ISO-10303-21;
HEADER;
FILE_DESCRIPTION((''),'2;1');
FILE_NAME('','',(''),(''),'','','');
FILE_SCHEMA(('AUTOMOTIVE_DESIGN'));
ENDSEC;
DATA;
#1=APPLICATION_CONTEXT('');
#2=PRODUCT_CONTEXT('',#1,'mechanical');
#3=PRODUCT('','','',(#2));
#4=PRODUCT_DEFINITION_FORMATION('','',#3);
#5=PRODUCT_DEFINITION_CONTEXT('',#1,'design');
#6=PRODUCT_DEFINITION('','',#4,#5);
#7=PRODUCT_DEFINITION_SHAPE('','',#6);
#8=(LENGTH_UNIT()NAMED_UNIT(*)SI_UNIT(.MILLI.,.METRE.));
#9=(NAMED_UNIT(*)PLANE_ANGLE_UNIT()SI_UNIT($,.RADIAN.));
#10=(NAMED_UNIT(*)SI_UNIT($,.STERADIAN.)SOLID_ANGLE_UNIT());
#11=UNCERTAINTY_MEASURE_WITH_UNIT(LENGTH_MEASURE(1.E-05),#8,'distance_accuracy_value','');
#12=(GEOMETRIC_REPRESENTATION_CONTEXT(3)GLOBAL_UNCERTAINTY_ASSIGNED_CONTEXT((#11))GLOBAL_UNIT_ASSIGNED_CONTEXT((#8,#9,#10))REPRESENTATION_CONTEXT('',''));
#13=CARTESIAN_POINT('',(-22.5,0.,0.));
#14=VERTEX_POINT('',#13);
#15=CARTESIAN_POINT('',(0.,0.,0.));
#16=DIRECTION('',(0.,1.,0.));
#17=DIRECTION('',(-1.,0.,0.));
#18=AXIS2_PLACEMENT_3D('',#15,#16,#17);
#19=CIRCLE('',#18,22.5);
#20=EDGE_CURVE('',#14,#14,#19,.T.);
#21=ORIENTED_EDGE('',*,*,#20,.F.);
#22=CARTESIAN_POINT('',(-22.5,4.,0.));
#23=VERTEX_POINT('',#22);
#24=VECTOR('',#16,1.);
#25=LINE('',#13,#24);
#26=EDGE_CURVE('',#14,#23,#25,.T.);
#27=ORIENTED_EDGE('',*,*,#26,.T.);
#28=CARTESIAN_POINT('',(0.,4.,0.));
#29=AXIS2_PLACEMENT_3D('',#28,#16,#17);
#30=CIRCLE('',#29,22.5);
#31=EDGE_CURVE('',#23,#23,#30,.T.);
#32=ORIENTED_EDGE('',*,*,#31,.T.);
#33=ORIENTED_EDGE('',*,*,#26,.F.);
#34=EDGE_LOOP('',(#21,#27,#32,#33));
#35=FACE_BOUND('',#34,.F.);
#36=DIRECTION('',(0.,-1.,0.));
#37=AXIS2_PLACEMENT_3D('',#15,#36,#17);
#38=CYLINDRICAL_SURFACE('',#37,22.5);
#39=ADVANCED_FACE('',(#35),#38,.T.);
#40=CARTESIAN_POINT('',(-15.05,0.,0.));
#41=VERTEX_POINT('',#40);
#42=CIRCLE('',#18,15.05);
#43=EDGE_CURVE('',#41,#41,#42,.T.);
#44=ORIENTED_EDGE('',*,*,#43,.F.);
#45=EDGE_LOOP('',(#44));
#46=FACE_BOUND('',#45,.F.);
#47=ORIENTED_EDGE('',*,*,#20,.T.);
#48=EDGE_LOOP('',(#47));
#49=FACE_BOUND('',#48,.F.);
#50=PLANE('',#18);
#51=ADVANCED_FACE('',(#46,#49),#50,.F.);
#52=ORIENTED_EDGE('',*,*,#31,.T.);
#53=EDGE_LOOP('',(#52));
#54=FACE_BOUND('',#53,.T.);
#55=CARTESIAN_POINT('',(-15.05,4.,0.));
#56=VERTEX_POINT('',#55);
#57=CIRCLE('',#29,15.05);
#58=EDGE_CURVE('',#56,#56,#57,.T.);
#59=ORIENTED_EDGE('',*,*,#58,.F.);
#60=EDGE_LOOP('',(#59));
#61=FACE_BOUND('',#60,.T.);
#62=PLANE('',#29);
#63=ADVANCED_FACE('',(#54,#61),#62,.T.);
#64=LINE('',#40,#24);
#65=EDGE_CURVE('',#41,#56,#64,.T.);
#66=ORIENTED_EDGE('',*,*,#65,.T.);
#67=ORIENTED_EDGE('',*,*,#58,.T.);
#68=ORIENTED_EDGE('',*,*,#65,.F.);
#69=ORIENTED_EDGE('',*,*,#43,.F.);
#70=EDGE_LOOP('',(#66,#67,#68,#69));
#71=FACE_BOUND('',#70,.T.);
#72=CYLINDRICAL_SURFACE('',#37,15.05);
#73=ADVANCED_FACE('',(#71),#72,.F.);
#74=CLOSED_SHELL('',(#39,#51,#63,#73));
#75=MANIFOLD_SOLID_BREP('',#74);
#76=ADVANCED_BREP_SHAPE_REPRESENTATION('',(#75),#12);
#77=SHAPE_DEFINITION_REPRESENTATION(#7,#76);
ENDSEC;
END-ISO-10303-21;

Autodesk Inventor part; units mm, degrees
ref_plane "YZ Plane" through (0, 0, 0) normal (1, 0, 0) x (0, 1, 0)
ref_plane "XZ Plane" through (0, 0, 0) normal (0, 1, 0) x (-1, 0, 0)
ref_plane "XY Plane" through (0, 0, 0) normal (0, 0, 1) x (1, 0, 0)
sketch "Sketch1" plane through (0, 0, 0) normal (0, 1, 0) x (-1, 0, 0)
  circle A0 centre (0, 0) radius 15.05
  circle A1 centre (0, 0) radius 22.5
  dimension "d0" = 30.1
  dimension "d1" = 45
extrude "Extrusion1" add sketch "Sketch1" along normal blind 4
properties part number "WheelHolder_S1" material "Brass, Soft Yellow"
